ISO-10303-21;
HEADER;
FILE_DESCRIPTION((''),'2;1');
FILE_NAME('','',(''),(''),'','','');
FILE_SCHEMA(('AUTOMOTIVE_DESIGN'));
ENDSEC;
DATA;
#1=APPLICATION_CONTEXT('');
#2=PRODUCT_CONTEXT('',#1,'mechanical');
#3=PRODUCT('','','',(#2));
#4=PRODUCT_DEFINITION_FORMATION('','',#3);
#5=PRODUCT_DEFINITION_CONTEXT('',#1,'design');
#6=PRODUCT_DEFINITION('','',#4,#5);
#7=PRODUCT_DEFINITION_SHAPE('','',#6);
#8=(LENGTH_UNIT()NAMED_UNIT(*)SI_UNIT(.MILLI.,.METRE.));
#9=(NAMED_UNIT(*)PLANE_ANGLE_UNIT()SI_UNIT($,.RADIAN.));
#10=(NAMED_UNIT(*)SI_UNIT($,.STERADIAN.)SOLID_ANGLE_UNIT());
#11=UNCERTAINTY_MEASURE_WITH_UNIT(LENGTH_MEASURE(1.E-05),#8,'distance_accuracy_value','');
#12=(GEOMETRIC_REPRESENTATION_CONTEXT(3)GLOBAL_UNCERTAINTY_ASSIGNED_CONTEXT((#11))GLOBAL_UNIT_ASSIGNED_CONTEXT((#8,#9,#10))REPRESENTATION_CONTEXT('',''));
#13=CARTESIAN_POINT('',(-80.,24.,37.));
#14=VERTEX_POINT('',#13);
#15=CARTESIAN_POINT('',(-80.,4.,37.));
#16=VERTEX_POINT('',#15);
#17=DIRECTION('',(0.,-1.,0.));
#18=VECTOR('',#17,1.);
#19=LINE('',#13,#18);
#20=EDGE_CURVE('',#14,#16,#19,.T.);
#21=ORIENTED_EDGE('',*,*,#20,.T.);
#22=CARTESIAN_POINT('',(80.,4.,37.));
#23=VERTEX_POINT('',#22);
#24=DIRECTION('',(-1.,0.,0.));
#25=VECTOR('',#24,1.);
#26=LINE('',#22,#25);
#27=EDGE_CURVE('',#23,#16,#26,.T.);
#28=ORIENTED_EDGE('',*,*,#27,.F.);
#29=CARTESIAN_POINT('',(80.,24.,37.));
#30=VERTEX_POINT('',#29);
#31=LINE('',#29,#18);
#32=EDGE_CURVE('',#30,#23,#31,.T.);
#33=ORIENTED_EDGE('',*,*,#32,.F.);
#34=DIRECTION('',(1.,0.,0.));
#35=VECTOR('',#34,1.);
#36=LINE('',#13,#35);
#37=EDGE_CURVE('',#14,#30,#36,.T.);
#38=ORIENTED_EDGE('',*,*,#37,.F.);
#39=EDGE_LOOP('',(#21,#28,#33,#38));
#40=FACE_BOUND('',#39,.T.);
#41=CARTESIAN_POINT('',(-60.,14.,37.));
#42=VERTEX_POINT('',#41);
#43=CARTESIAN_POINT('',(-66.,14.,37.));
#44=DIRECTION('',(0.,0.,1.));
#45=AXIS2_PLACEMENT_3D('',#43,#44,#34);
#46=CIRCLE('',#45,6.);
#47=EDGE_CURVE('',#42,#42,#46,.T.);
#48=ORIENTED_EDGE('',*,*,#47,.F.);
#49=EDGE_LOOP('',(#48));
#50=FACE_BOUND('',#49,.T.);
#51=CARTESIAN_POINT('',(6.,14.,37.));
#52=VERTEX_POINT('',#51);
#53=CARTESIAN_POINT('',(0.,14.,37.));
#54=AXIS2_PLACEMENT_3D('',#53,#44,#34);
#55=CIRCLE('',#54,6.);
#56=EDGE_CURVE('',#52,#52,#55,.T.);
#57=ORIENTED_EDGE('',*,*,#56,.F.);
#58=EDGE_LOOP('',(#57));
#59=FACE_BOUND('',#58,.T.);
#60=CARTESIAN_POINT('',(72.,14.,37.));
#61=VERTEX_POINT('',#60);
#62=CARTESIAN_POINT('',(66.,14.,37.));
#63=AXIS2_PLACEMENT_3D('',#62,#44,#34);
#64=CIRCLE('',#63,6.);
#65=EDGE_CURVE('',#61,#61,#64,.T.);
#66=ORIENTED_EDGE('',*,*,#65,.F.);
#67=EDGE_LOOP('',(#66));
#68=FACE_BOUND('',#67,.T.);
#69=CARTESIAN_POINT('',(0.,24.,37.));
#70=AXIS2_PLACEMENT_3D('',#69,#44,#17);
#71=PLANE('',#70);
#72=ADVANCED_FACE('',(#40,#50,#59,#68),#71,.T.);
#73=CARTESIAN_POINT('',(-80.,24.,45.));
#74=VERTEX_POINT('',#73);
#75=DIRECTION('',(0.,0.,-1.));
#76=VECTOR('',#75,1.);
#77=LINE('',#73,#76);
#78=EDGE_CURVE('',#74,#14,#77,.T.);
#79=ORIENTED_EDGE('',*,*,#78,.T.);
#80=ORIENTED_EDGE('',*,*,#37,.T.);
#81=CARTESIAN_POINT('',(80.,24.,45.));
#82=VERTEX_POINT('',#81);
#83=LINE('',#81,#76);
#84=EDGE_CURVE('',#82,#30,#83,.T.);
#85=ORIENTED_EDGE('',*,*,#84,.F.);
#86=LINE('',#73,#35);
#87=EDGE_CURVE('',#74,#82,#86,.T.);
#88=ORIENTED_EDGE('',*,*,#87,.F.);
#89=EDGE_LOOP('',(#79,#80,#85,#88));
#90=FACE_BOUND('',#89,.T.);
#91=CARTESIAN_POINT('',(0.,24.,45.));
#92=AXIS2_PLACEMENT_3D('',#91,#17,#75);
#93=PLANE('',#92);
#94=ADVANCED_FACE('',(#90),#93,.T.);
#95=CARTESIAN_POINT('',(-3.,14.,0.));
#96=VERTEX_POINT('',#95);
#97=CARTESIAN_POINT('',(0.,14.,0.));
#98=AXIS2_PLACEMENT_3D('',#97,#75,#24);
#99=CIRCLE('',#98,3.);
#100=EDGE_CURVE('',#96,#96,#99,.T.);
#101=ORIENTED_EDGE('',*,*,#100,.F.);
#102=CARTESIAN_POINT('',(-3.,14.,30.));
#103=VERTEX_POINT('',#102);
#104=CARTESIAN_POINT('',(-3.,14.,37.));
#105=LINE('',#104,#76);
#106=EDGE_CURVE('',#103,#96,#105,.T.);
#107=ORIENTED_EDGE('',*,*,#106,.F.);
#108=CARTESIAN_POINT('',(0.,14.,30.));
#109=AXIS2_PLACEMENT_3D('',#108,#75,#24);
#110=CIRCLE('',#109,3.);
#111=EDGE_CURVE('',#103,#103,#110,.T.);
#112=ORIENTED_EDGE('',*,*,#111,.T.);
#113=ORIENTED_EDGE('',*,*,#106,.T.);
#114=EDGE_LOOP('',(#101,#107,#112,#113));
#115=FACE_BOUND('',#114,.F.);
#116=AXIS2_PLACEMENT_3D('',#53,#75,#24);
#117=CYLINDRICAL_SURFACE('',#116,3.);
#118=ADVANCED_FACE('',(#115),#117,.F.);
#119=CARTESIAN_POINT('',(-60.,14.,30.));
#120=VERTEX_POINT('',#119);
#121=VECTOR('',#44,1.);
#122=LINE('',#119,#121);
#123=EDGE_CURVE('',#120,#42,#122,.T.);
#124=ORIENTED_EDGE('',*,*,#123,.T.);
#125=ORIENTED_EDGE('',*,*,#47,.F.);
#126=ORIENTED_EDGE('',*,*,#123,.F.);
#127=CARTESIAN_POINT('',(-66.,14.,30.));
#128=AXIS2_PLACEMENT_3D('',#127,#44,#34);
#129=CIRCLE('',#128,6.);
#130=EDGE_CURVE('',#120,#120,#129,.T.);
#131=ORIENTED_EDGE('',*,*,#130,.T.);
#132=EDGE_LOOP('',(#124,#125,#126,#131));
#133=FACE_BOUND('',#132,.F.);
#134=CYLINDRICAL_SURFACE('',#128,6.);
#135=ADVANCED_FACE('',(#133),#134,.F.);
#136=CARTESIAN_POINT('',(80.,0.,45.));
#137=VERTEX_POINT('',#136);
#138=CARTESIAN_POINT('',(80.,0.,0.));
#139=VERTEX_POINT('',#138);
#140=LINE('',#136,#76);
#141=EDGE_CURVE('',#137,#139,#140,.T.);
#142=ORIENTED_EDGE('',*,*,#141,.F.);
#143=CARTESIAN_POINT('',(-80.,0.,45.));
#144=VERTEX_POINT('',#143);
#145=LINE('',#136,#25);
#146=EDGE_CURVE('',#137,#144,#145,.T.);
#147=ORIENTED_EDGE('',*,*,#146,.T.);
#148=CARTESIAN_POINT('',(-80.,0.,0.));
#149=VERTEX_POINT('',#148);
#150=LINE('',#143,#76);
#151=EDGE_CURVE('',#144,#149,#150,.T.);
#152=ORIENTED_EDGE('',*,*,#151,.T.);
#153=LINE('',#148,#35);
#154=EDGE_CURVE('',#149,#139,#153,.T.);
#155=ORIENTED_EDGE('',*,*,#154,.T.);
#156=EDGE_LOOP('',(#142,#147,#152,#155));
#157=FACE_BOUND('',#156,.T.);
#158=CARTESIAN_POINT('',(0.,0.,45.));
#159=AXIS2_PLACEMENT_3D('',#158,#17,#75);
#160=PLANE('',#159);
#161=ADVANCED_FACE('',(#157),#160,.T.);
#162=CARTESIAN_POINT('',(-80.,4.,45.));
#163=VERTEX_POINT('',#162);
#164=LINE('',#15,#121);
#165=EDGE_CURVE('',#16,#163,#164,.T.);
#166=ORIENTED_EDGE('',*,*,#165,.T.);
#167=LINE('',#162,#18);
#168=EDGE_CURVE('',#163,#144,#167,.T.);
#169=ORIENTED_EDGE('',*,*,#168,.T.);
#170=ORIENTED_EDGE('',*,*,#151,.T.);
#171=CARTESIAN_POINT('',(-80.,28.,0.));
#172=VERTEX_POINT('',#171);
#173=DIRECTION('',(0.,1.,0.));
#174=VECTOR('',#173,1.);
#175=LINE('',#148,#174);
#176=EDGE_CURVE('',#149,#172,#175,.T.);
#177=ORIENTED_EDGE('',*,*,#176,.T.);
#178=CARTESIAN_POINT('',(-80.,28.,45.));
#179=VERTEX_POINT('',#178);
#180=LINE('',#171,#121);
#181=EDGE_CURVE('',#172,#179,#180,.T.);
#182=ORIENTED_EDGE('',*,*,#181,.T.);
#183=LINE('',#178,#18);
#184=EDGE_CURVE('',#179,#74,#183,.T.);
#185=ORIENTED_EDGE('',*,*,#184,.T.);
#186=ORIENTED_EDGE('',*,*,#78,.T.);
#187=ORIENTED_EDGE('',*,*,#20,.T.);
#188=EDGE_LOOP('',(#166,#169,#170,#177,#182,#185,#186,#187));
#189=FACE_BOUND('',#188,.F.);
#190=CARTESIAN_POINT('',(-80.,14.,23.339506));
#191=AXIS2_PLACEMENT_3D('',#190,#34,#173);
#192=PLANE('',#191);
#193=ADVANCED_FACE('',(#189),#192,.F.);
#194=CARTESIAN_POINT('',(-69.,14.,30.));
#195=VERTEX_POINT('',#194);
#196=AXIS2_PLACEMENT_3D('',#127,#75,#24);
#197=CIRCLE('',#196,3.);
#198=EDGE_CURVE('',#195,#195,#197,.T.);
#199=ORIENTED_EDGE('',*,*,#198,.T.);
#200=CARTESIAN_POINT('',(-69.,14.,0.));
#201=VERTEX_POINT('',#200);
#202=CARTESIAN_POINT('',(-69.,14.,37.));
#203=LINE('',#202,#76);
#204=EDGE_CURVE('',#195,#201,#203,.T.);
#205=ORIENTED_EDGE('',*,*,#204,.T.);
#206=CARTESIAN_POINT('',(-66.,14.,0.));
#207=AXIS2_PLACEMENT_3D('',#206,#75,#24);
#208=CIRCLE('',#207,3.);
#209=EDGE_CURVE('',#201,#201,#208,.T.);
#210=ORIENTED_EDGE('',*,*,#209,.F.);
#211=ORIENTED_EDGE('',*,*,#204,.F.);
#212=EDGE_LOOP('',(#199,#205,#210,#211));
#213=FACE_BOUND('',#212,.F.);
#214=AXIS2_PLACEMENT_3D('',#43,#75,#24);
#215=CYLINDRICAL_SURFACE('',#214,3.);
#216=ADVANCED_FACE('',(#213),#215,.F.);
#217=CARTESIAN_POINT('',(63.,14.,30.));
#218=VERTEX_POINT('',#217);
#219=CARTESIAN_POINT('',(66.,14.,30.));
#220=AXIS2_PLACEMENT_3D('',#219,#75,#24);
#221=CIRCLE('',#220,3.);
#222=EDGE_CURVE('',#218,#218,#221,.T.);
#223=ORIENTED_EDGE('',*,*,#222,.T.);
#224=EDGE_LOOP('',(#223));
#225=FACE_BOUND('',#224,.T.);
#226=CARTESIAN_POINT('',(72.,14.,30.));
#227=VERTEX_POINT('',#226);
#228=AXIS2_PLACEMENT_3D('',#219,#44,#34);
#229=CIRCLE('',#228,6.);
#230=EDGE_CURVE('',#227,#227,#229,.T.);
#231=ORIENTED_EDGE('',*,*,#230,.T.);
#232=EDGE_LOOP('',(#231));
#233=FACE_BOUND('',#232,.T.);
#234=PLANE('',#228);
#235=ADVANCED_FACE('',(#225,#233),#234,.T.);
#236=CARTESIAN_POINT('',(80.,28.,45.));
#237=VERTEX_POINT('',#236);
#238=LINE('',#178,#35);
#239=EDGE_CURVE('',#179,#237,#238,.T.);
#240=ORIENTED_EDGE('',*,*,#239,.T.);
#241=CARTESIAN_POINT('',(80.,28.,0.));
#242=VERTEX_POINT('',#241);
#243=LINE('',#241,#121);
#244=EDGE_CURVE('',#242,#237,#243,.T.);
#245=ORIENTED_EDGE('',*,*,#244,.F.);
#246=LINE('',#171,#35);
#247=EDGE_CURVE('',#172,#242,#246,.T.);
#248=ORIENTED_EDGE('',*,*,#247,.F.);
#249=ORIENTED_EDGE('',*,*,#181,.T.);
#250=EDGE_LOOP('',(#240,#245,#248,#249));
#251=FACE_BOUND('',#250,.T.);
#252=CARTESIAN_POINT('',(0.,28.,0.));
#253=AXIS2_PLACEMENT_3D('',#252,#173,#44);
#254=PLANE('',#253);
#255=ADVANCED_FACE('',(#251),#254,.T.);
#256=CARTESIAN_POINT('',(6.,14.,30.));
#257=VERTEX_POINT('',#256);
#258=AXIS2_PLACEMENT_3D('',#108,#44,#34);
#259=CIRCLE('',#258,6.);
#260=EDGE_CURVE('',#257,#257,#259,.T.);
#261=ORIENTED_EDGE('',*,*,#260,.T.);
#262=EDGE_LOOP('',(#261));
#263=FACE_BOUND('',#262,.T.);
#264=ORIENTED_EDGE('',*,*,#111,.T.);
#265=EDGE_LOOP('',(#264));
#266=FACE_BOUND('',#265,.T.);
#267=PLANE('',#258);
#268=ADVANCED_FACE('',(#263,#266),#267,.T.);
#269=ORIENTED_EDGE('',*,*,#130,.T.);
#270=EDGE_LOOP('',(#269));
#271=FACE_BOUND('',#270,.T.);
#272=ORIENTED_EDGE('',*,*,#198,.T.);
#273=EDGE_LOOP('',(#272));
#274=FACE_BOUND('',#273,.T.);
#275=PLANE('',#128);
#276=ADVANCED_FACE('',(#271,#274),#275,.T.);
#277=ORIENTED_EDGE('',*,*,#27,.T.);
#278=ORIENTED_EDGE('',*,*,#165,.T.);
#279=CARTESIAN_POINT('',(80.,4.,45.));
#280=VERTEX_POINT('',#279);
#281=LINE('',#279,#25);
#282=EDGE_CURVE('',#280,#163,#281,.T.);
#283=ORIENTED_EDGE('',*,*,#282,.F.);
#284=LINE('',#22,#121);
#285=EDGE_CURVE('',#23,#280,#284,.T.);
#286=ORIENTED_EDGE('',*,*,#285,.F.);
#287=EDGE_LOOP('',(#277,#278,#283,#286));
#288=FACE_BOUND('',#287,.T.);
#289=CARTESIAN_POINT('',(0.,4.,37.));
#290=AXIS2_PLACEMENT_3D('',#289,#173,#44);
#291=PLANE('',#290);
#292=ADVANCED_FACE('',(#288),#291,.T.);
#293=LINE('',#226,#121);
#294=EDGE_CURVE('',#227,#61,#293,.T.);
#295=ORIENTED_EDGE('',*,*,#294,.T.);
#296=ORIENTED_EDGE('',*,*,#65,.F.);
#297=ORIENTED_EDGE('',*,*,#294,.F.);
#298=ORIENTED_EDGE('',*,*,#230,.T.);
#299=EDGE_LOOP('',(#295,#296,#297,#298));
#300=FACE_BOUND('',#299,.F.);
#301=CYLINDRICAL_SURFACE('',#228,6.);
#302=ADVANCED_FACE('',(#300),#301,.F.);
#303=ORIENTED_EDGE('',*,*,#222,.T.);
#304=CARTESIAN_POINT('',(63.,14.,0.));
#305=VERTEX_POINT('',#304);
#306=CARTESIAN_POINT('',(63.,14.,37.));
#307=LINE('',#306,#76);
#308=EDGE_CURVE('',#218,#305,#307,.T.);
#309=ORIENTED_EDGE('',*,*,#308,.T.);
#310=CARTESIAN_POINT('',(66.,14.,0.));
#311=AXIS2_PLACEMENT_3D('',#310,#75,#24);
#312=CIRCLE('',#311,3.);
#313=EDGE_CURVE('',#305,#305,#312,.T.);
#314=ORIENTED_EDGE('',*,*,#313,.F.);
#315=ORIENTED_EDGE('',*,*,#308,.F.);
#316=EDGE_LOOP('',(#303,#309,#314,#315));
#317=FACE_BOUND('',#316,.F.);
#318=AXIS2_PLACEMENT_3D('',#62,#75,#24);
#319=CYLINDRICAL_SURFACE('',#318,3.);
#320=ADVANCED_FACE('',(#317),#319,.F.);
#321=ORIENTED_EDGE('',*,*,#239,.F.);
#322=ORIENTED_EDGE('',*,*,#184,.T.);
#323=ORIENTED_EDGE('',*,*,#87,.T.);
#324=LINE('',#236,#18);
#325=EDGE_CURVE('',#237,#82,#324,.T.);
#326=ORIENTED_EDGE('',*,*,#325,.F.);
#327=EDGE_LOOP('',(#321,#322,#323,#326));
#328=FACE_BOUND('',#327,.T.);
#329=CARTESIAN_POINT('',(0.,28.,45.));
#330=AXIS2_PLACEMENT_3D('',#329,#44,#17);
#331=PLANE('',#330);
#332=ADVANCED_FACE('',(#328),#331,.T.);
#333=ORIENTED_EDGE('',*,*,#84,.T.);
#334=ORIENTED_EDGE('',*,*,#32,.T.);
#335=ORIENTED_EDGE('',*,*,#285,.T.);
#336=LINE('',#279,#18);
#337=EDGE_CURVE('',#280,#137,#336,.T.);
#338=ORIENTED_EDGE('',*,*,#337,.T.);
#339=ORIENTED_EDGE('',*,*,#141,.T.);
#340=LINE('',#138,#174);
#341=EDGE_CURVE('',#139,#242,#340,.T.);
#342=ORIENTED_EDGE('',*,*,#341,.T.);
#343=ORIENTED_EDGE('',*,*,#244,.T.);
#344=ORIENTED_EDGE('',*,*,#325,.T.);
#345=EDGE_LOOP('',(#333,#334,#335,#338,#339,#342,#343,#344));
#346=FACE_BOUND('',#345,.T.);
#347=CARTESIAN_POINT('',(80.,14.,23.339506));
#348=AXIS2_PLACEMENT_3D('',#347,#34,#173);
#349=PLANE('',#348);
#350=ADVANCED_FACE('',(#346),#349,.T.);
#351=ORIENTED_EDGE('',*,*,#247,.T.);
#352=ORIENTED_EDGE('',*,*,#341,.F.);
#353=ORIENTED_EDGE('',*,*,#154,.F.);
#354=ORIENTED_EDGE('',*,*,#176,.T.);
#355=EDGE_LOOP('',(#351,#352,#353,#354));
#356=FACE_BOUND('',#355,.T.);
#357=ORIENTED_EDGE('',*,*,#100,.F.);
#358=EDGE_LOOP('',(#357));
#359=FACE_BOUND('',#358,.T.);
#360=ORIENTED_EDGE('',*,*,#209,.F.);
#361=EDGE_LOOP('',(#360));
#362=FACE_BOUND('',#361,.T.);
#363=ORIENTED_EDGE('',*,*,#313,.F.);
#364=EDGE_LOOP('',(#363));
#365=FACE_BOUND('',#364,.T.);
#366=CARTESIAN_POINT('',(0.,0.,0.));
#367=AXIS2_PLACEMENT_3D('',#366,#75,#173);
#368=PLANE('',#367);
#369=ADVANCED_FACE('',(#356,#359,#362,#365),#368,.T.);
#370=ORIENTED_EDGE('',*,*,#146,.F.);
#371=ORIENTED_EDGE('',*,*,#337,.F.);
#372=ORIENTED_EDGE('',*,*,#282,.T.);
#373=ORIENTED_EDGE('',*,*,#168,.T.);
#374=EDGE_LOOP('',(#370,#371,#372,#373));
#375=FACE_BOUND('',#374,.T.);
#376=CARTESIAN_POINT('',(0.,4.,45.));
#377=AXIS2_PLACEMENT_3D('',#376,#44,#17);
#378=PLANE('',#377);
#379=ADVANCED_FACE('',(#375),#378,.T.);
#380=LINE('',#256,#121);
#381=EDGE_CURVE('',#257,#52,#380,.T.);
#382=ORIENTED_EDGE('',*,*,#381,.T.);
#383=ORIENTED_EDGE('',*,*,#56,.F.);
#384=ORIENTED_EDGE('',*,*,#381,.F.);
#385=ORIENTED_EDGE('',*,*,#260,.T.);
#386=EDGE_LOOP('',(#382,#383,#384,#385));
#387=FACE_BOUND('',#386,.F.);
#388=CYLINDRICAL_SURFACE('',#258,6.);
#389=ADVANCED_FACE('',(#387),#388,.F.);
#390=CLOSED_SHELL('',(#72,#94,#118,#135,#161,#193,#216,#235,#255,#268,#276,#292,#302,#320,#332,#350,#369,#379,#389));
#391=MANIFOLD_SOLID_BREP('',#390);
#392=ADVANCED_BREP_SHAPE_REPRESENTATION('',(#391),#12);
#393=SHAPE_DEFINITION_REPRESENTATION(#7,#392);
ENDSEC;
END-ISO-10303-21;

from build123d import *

# Parameters (mm, degrees)
F1_DEPTH       = 80
F1_DEPTH_BACK  = 80
F3_D           = 6
F3_DEPTH       = 38
F3_CBORE_D     = 12
F3_CBORE_DEPTH = 7


with BuildPart() as f1:
    # F0 (on Right) → F1 (new body, two sides)
    with BuildSketch(Plane.YZ) as f1_sk:
        Polygon((0, 45), (0, 0), (28, 0), (28, 45), (24, 45), (24, 37), (4, 37), (4, 45), align=None)
    extrude(amount=F1_DEPTH)
    extrude(f1_sk.sketch, amount=-F1_DEPTH_BACK)

    # F3
    with Locations(Plane.XY.offset(37)):
        with Locations((-66, 14), (0, 14), (66, 14)):
            CounterBoreHole(F3_D / 2, F3_CBORE_D / 2, F3_CBORE_DEPTH, depth=F3_DEPTH)


solid = f1.part
